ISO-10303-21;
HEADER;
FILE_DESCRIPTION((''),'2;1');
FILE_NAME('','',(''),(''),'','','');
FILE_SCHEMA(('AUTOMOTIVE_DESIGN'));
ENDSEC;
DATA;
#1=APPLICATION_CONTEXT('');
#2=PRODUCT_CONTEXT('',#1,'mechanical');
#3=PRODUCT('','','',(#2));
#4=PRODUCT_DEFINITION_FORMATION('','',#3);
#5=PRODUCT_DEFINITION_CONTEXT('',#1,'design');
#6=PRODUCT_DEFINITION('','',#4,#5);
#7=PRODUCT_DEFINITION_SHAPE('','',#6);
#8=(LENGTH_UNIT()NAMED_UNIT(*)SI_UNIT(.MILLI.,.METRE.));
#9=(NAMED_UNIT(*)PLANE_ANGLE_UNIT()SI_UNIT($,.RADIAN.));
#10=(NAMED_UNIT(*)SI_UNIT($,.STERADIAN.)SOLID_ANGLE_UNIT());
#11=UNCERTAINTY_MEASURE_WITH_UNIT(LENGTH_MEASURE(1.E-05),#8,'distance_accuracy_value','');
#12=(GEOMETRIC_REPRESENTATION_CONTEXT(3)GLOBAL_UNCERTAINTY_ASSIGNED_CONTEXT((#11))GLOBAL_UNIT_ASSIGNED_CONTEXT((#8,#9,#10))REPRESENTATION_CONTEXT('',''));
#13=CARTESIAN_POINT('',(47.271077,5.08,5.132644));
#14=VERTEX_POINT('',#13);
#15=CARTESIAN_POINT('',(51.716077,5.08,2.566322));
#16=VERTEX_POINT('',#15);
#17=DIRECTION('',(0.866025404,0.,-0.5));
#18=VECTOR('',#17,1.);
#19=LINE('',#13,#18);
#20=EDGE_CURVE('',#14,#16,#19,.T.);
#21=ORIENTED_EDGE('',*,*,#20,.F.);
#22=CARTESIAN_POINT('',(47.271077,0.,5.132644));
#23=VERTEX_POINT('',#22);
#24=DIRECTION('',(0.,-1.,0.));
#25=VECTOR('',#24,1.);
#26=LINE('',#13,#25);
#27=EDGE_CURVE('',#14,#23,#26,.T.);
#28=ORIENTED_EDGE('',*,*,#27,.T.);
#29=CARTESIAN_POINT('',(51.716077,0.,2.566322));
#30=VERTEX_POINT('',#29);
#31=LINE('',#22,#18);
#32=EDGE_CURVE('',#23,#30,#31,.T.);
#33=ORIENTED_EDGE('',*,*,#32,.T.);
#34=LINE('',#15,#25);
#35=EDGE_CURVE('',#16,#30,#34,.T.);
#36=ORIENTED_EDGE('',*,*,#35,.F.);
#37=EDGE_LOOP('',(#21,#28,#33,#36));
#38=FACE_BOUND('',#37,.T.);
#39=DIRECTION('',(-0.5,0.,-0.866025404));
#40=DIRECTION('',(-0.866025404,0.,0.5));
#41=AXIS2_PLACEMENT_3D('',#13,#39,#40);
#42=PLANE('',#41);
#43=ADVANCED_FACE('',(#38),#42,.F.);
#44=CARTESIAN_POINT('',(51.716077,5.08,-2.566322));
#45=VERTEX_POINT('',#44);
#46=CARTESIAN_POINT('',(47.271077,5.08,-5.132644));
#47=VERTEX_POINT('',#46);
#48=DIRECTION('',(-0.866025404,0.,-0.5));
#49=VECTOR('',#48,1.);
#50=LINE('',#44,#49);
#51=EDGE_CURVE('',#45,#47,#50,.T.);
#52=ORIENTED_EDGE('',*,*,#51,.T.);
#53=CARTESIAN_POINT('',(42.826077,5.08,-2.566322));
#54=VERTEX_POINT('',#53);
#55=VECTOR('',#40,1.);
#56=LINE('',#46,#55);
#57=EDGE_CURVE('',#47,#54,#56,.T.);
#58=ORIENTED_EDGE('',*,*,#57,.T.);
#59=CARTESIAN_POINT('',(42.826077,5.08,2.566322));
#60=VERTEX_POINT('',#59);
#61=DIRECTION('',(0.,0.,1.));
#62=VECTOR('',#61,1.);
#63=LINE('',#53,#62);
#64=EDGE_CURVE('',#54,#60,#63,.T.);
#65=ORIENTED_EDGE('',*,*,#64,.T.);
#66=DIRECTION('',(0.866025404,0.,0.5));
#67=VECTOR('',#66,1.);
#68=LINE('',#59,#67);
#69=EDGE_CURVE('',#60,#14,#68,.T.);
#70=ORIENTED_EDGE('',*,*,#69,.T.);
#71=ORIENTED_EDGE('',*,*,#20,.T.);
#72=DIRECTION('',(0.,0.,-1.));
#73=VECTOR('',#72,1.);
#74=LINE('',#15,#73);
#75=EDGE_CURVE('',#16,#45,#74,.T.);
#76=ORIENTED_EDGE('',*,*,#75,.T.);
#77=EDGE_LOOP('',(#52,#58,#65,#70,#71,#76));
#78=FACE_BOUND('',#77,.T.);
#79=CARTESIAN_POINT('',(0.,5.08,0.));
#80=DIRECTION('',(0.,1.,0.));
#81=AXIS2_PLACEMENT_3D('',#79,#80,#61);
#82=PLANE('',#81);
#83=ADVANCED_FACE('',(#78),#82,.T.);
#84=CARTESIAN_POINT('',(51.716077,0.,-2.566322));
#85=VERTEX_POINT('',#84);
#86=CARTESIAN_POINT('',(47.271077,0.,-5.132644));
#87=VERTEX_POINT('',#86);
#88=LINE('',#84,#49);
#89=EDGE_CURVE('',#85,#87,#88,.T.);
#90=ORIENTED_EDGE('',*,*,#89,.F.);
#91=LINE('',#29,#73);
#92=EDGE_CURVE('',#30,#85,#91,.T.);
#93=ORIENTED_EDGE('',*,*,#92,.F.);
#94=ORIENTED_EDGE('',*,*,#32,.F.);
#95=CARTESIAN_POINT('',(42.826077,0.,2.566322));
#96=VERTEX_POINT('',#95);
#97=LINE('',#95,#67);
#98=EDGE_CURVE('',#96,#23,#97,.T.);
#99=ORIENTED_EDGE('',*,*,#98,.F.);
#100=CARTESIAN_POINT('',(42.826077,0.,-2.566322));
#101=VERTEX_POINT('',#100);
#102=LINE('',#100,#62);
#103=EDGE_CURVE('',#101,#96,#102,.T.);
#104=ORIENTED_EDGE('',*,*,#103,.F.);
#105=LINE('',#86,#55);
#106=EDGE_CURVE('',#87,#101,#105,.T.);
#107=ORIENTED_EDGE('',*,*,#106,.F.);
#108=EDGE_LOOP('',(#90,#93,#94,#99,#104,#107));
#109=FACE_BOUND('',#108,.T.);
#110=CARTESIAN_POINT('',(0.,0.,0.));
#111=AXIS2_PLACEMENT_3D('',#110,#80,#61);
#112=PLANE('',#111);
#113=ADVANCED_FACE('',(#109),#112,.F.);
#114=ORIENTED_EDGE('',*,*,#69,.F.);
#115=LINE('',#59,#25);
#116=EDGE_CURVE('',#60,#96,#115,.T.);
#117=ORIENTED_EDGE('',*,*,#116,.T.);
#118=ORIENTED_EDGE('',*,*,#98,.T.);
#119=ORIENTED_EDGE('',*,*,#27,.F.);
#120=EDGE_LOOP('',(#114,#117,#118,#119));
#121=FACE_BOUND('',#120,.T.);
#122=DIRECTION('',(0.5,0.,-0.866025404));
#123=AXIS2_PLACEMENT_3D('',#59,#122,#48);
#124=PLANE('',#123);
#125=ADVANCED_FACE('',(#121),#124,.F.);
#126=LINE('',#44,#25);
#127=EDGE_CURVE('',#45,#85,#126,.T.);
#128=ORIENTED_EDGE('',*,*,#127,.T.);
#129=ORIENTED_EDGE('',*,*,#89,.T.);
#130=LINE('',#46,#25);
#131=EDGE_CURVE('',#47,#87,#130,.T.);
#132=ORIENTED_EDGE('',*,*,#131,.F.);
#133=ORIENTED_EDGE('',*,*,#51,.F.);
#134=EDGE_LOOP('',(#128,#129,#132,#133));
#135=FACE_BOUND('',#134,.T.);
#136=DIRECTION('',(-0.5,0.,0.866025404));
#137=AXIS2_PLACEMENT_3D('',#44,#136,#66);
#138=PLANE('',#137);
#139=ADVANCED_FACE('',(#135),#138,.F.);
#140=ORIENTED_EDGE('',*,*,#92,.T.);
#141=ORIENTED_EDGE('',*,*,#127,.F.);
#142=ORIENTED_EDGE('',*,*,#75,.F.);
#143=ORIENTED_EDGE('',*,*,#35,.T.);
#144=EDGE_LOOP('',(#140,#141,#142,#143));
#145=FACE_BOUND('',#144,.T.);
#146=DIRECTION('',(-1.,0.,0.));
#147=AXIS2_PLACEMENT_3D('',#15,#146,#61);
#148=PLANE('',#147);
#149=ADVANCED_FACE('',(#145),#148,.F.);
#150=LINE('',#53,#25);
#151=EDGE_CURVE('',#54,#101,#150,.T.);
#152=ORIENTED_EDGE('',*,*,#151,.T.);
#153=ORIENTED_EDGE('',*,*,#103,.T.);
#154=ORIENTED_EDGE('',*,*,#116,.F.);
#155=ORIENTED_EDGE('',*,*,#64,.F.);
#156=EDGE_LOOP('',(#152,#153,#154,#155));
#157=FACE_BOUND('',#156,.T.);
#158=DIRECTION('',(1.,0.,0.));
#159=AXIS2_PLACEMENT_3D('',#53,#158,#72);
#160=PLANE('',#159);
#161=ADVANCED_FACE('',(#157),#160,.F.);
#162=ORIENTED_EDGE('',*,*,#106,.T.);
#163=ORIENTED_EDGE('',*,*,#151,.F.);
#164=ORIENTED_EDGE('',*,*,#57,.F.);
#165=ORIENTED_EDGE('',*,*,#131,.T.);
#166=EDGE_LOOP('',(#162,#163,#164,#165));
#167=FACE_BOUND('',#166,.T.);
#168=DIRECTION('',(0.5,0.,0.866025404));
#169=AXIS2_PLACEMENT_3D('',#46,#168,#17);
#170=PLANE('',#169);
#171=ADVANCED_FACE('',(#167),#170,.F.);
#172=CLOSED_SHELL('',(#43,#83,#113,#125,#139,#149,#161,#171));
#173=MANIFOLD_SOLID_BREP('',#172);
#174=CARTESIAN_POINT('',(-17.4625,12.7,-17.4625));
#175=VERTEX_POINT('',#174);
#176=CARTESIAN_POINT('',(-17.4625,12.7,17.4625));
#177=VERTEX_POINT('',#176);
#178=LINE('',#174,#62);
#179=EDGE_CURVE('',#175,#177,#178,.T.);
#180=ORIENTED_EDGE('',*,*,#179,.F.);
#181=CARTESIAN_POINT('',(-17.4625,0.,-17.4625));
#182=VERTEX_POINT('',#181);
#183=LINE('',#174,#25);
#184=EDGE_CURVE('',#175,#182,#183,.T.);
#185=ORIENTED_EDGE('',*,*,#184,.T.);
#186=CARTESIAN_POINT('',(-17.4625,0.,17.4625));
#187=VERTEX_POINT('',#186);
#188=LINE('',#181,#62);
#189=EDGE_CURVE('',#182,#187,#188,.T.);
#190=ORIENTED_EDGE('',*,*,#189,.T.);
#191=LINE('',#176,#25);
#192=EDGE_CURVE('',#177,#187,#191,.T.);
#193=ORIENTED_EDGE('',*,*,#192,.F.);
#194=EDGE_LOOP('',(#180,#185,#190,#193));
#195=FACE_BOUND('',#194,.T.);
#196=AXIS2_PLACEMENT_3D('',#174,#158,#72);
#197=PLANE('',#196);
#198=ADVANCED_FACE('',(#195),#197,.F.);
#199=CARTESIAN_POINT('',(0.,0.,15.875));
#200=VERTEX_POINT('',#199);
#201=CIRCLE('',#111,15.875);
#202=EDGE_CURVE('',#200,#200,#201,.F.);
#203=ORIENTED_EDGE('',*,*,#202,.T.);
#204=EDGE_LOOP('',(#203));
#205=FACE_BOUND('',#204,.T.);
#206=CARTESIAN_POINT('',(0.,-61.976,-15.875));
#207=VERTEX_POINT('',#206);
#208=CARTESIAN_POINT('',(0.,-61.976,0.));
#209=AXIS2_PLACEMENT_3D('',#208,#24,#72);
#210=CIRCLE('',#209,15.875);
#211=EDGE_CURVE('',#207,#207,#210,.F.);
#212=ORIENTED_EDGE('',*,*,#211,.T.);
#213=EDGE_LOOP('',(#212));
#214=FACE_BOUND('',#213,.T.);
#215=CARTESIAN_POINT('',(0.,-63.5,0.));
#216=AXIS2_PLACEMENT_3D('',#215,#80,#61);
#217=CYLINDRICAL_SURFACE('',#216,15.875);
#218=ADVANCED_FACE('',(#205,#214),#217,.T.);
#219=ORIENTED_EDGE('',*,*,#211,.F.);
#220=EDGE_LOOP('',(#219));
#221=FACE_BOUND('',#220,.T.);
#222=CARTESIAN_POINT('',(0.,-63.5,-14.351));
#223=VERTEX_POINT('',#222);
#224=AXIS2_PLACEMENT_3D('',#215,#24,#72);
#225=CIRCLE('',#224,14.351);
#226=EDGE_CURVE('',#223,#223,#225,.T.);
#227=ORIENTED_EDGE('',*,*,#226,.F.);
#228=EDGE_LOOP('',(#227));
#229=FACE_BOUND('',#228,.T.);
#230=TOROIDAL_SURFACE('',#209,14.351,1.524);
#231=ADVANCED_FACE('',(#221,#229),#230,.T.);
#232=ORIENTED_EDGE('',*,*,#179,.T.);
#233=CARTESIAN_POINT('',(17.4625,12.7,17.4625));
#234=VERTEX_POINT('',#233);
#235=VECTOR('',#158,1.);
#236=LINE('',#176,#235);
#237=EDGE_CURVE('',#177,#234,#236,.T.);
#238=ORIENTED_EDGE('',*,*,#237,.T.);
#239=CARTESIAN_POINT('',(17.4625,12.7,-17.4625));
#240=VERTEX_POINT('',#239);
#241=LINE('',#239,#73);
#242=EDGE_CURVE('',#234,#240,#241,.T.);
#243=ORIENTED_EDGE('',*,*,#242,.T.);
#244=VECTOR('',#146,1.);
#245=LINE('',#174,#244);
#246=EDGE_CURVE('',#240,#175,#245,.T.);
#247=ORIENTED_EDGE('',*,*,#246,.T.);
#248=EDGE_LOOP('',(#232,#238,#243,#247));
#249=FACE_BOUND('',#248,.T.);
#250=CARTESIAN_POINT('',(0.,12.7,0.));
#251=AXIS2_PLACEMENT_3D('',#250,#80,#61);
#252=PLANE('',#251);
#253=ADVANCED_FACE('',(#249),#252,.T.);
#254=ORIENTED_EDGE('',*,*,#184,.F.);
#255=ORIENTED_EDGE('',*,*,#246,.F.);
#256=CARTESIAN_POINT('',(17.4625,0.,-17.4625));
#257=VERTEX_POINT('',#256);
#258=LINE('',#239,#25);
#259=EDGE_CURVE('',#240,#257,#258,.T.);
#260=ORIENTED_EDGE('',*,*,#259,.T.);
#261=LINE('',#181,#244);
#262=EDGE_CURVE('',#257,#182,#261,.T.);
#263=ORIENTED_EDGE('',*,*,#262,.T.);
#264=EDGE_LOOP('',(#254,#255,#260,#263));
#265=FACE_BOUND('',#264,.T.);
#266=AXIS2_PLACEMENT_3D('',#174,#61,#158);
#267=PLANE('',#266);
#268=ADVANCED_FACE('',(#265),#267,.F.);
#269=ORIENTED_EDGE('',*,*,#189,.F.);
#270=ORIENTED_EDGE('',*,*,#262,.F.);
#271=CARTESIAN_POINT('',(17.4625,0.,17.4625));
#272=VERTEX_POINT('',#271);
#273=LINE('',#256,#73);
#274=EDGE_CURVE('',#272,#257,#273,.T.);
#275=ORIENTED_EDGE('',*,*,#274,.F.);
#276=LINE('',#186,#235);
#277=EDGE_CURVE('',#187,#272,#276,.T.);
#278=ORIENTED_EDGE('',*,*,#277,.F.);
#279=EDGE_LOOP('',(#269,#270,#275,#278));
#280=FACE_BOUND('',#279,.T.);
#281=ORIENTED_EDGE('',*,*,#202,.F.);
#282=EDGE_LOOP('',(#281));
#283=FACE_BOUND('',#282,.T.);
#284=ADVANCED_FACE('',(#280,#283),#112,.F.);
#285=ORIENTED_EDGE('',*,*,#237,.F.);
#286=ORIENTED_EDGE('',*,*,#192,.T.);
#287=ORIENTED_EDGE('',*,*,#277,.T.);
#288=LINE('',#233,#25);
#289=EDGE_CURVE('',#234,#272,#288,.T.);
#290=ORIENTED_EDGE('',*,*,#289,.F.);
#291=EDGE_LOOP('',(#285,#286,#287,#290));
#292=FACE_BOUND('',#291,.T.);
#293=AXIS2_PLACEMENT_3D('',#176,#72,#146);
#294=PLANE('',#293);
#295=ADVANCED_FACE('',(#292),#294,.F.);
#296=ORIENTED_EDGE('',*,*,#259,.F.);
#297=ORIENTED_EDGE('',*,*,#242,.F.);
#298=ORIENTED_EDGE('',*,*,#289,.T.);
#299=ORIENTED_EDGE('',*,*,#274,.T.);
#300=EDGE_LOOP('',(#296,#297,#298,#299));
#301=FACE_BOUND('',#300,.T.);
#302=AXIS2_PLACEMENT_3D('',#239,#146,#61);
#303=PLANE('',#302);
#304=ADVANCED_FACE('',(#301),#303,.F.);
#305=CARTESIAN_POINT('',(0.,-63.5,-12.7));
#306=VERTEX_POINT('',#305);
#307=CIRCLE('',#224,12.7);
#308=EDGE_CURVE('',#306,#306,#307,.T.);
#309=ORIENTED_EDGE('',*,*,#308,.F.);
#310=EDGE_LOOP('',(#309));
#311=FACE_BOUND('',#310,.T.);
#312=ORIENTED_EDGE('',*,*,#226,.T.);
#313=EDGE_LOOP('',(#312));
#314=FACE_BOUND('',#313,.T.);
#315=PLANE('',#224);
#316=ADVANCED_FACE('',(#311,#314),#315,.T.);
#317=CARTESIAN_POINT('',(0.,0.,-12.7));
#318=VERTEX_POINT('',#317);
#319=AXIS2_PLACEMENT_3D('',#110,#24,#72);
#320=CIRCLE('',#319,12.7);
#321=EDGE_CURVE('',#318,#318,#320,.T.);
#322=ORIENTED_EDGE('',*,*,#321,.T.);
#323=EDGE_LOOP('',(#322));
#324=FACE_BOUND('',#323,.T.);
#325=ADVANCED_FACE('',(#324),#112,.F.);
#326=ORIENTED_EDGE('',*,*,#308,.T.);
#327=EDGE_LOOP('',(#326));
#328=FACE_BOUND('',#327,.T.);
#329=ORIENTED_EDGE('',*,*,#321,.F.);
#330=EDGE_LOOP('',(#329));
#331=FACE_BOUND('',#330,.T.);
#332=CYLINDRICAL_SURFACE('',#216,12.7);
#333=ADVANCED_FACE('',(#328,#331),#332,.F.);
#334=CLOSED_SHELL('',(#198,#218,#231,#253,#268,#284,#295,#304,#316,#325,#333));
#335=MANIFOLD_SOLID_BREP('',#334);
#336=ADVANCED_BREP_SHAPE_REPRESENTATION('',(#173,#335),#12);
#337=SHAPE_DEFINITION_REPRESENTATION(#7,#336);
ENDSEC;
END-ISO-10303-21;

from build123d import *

# Parameters (mm, degrees)
SKETCH1_W           = 34.925
SKETCH1_H           = 34.925
BOSS_EXTRUDE1_DEPTH = 12.7
SKETCH3_R           = 15.875
SKETCH3_R_2         = 12.7
BOSS_EXTRUDE2_DEPTH = 63.5
FILLET1_R           = 1.524
BOSS_EXTRUDE3_DEPTH = 5.08


with BuildPart() as part:
    # Sketch1 → Boss-Extrude1 (new body)
    with BuildSketch(Plane(origin=(0, 0, 0), x_dir=(1, 0, 0), z_dir=(0, 1, 0))):
        Rectangle(SKETCH1_W, SKETCH1_H)
    extrude(amount=BOSS_EXTRUDE1_DEPTH)

    # Sketch3 → Boss-Extrude2 (add)
    with BuildSketch(Plane.XZ):
        with Locations(Location((0, 0, 0), (0, 0, 90))):
            Circle(SKETCH3_R)
        with Locations(Location((0, 0, 0), (0, 0, 270))):
            Circle(SKETCH3_R_2, mode=Mode.SUBTRACT)
    extrude(amount=BOSS_EXTRUDE2_DEPTH)

    # Fillet1
    fillet1_edges = [part.edges().sort_by_distance(p)[0] for p in [
        (0, -63.5, -15.875),
    ]]
    fillet(fillet1_edges, radius=FILLET1_R)


with BuildPart() as body_2:
    # Sketch5 → Boss-Extrude3 (new body)
    with BuildSketch(Plane(origin=(0, 0, 0), x_dir=(1, 0, 0), z_dir=(0, 1, 0))):
        Polygon((47.271077343, -5.132643893), (51.716077343, -2.566321947), (51.716077343, 2.566321947), (47.271077343, 5.132643893), (42.826077343, 2.566321947), (42.826077343, -2.566321947), align=None)
    extrude(amount=BOSS_EXTRUDE3_DEPTH)


solid = Compound([part.part, body_2.part])
